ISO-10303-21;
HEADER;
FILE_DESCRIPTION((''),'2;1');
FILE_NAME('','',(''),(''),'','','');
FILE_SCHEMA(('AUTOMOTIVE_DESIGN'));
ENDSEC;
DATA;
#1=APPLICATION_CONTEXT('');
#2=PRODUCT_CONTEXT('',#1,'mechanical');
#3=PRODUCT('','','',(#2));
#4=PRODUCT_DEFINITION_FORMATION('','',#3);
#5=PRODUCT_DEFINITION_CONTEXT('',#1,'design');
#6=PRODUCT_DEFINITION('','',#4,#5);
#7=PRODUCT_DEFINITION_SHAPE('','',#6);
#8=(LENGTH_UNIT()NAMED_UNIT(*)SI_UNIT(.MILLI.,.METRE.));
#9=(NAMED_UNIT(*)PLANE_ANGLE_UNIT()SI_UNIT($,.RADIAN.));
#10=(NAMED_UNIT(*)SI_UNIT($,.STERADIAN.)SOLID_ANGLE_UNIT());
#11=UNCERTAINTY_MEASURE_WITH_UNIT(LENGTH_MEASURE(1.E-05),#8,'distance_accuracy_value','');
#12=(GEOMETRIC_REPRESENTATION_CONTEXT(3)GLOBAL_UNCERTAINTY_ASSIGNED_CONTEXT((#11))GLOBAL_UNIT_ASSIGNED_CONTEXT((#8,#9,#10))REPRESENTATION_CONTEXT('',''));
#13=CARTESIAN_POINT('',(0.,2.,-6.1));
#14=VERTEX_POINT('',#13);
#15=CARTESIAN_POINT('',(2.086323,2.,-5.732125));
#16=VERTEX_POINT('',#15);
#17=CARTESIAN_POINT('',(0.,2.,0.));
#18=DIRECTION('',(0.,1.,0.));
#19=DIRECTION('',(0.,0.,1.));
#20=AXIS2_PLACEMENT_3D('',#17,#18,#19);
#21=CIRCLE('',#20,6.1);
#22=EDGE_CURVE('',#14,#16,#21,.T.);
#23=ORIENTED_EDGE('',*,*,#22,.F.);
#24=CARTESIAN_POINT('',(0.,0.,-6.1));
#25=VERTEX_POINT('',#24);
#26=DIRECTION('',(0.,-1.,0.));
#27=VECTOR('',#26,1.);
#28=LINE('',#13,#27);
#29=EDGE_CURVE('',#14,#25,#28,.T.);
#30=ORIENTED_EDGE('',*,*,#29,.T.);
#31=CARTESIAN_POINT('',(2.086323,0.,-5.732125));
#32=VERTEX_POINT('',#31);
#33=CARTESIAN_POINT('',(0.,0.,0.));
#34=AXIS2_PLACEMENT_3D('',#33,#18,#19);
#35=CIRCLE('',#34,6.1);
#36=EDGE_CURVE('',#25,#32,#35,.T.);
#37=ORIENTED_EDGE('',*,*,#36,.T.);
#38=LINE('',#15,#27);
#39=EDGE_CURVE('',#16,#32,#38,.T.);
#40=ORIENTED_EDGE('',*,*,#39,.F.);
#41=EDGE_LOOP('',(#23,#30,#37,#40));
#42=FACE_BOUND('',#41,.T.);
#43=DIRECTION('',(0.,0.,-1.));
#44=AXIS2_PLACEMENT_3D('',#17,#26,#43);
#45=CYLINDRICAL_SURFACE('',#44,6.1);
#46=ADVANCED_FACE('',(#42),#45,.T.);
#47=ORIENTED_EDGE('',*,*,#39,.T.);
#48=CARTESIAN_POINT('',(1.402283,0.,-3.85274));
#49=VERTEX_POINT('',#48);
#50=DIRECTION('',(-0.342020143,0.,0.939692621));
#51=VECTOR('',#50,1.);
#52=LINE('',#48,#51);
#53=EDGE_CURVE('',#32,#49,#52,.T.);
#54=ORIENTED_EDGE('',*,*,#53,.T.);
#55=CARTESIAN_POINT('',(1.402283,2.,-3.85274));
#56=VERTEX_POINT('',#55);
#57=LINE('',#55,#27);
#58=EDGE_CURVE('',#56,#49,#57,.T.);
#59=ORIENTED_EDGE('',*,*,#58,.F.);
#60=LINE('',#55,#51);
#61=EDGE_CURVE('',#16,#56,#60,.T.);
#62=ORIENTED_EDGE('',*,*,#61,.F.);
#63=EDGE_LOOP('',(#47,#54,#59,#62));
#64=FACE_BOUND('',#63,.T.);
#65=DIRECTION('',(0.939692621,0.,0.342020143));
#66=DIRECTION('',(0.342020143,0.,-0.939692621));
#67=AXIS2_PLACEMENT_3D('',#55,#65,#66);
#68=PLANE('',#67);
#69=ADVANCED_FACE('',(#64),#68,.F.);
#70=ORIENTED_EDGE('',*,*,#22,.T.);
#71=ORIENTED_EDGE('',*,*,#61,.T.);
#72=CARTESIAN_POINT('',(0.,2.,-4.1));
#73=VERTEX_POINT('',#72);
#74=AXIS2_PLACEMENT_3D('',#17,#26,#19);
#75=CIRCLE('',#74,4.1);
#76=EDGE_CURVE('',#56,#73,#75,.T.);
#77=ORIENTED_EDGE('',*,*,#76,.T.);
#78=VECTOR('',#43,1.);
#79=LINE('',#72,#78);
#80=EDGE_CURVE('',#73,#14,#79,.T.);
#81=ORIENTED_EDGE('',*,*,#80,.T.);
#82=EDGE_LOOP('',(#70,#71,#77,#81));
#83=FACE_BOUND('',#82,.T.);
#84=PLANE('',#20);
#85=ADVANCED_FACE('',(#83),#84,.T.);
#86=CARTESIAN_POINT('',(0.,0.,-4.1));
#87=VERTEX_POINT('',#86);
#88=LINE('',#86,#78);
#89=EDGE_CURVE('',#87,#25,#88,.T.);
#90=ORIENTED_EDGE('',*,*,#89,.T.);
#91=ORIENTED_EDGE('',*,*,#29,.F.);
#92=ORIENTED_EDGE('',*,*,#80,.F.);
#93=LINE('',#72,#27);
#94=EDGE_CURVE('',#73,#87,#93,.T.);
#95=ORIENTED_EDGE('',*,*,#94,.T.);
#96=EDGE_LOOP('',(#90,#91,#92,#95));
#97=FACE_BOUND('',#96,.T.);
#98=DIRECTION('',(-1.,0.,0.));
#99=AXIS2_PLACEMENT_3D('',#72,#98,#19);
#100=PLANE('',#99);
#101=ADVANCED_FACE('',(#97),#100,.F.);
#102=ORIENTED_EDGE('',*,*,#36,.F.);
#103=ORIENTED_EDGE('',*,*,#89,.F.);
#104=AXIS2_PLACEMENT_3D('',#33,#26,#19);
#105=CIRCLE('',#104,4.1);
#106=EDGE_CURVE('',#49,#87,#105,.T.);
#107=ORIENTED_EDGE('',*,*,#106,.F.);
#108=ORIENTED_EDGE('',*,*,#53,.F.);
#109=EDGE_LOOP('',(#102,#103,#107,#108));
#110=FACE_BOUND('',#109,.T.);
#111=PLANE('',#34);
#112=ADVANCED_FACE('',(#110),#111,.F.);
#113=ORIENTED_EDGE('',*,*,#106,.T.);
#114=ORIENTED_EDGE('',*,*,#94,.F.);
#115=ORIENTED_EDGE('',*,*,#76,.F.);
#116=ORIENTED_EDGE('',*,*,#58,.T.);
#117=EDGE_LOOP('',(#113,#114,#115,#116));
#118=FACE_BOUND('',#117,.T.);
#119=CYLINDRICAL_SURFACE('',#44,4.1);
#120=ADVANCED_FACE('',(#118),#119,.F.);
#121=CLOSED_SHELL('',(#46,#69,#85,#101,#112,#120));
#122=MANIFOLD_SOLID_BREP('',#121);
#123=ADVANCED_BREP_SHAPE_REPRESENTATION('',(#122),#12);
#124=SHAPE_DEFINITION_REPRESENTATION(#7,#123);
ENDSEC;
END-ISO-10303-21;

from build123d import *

# Parameters (mm, degrees)
BOSS_EXTRUDE1_DEPTH = 2


with BuildPart() as part:
    # Sketch1 → Boss-Extrude1 (new body)
    with BuildSketch(Plane(origin=(0, 0, 0), x_dir=(1, 0, 0), z_dir=(0, 1, 0))):
        with BuildLine():
            Line((0, 4.1), (0, 6.1))
            ThreePointArc((0, 6.1), (-1.059253884, -6.007327293), (2.086322874, 5.732124987))
            Line((2.086322874, 5.732124987), (1.402282588, 3.852739745))
            ThreePointArc((1.402282588, 3.852739745), (-0.711957528, -4.037711787), (0, 4.1))
        make_face()
    extrude(amount=BOSS_EXTRUDE1_DEPTH)


solid = part.part
